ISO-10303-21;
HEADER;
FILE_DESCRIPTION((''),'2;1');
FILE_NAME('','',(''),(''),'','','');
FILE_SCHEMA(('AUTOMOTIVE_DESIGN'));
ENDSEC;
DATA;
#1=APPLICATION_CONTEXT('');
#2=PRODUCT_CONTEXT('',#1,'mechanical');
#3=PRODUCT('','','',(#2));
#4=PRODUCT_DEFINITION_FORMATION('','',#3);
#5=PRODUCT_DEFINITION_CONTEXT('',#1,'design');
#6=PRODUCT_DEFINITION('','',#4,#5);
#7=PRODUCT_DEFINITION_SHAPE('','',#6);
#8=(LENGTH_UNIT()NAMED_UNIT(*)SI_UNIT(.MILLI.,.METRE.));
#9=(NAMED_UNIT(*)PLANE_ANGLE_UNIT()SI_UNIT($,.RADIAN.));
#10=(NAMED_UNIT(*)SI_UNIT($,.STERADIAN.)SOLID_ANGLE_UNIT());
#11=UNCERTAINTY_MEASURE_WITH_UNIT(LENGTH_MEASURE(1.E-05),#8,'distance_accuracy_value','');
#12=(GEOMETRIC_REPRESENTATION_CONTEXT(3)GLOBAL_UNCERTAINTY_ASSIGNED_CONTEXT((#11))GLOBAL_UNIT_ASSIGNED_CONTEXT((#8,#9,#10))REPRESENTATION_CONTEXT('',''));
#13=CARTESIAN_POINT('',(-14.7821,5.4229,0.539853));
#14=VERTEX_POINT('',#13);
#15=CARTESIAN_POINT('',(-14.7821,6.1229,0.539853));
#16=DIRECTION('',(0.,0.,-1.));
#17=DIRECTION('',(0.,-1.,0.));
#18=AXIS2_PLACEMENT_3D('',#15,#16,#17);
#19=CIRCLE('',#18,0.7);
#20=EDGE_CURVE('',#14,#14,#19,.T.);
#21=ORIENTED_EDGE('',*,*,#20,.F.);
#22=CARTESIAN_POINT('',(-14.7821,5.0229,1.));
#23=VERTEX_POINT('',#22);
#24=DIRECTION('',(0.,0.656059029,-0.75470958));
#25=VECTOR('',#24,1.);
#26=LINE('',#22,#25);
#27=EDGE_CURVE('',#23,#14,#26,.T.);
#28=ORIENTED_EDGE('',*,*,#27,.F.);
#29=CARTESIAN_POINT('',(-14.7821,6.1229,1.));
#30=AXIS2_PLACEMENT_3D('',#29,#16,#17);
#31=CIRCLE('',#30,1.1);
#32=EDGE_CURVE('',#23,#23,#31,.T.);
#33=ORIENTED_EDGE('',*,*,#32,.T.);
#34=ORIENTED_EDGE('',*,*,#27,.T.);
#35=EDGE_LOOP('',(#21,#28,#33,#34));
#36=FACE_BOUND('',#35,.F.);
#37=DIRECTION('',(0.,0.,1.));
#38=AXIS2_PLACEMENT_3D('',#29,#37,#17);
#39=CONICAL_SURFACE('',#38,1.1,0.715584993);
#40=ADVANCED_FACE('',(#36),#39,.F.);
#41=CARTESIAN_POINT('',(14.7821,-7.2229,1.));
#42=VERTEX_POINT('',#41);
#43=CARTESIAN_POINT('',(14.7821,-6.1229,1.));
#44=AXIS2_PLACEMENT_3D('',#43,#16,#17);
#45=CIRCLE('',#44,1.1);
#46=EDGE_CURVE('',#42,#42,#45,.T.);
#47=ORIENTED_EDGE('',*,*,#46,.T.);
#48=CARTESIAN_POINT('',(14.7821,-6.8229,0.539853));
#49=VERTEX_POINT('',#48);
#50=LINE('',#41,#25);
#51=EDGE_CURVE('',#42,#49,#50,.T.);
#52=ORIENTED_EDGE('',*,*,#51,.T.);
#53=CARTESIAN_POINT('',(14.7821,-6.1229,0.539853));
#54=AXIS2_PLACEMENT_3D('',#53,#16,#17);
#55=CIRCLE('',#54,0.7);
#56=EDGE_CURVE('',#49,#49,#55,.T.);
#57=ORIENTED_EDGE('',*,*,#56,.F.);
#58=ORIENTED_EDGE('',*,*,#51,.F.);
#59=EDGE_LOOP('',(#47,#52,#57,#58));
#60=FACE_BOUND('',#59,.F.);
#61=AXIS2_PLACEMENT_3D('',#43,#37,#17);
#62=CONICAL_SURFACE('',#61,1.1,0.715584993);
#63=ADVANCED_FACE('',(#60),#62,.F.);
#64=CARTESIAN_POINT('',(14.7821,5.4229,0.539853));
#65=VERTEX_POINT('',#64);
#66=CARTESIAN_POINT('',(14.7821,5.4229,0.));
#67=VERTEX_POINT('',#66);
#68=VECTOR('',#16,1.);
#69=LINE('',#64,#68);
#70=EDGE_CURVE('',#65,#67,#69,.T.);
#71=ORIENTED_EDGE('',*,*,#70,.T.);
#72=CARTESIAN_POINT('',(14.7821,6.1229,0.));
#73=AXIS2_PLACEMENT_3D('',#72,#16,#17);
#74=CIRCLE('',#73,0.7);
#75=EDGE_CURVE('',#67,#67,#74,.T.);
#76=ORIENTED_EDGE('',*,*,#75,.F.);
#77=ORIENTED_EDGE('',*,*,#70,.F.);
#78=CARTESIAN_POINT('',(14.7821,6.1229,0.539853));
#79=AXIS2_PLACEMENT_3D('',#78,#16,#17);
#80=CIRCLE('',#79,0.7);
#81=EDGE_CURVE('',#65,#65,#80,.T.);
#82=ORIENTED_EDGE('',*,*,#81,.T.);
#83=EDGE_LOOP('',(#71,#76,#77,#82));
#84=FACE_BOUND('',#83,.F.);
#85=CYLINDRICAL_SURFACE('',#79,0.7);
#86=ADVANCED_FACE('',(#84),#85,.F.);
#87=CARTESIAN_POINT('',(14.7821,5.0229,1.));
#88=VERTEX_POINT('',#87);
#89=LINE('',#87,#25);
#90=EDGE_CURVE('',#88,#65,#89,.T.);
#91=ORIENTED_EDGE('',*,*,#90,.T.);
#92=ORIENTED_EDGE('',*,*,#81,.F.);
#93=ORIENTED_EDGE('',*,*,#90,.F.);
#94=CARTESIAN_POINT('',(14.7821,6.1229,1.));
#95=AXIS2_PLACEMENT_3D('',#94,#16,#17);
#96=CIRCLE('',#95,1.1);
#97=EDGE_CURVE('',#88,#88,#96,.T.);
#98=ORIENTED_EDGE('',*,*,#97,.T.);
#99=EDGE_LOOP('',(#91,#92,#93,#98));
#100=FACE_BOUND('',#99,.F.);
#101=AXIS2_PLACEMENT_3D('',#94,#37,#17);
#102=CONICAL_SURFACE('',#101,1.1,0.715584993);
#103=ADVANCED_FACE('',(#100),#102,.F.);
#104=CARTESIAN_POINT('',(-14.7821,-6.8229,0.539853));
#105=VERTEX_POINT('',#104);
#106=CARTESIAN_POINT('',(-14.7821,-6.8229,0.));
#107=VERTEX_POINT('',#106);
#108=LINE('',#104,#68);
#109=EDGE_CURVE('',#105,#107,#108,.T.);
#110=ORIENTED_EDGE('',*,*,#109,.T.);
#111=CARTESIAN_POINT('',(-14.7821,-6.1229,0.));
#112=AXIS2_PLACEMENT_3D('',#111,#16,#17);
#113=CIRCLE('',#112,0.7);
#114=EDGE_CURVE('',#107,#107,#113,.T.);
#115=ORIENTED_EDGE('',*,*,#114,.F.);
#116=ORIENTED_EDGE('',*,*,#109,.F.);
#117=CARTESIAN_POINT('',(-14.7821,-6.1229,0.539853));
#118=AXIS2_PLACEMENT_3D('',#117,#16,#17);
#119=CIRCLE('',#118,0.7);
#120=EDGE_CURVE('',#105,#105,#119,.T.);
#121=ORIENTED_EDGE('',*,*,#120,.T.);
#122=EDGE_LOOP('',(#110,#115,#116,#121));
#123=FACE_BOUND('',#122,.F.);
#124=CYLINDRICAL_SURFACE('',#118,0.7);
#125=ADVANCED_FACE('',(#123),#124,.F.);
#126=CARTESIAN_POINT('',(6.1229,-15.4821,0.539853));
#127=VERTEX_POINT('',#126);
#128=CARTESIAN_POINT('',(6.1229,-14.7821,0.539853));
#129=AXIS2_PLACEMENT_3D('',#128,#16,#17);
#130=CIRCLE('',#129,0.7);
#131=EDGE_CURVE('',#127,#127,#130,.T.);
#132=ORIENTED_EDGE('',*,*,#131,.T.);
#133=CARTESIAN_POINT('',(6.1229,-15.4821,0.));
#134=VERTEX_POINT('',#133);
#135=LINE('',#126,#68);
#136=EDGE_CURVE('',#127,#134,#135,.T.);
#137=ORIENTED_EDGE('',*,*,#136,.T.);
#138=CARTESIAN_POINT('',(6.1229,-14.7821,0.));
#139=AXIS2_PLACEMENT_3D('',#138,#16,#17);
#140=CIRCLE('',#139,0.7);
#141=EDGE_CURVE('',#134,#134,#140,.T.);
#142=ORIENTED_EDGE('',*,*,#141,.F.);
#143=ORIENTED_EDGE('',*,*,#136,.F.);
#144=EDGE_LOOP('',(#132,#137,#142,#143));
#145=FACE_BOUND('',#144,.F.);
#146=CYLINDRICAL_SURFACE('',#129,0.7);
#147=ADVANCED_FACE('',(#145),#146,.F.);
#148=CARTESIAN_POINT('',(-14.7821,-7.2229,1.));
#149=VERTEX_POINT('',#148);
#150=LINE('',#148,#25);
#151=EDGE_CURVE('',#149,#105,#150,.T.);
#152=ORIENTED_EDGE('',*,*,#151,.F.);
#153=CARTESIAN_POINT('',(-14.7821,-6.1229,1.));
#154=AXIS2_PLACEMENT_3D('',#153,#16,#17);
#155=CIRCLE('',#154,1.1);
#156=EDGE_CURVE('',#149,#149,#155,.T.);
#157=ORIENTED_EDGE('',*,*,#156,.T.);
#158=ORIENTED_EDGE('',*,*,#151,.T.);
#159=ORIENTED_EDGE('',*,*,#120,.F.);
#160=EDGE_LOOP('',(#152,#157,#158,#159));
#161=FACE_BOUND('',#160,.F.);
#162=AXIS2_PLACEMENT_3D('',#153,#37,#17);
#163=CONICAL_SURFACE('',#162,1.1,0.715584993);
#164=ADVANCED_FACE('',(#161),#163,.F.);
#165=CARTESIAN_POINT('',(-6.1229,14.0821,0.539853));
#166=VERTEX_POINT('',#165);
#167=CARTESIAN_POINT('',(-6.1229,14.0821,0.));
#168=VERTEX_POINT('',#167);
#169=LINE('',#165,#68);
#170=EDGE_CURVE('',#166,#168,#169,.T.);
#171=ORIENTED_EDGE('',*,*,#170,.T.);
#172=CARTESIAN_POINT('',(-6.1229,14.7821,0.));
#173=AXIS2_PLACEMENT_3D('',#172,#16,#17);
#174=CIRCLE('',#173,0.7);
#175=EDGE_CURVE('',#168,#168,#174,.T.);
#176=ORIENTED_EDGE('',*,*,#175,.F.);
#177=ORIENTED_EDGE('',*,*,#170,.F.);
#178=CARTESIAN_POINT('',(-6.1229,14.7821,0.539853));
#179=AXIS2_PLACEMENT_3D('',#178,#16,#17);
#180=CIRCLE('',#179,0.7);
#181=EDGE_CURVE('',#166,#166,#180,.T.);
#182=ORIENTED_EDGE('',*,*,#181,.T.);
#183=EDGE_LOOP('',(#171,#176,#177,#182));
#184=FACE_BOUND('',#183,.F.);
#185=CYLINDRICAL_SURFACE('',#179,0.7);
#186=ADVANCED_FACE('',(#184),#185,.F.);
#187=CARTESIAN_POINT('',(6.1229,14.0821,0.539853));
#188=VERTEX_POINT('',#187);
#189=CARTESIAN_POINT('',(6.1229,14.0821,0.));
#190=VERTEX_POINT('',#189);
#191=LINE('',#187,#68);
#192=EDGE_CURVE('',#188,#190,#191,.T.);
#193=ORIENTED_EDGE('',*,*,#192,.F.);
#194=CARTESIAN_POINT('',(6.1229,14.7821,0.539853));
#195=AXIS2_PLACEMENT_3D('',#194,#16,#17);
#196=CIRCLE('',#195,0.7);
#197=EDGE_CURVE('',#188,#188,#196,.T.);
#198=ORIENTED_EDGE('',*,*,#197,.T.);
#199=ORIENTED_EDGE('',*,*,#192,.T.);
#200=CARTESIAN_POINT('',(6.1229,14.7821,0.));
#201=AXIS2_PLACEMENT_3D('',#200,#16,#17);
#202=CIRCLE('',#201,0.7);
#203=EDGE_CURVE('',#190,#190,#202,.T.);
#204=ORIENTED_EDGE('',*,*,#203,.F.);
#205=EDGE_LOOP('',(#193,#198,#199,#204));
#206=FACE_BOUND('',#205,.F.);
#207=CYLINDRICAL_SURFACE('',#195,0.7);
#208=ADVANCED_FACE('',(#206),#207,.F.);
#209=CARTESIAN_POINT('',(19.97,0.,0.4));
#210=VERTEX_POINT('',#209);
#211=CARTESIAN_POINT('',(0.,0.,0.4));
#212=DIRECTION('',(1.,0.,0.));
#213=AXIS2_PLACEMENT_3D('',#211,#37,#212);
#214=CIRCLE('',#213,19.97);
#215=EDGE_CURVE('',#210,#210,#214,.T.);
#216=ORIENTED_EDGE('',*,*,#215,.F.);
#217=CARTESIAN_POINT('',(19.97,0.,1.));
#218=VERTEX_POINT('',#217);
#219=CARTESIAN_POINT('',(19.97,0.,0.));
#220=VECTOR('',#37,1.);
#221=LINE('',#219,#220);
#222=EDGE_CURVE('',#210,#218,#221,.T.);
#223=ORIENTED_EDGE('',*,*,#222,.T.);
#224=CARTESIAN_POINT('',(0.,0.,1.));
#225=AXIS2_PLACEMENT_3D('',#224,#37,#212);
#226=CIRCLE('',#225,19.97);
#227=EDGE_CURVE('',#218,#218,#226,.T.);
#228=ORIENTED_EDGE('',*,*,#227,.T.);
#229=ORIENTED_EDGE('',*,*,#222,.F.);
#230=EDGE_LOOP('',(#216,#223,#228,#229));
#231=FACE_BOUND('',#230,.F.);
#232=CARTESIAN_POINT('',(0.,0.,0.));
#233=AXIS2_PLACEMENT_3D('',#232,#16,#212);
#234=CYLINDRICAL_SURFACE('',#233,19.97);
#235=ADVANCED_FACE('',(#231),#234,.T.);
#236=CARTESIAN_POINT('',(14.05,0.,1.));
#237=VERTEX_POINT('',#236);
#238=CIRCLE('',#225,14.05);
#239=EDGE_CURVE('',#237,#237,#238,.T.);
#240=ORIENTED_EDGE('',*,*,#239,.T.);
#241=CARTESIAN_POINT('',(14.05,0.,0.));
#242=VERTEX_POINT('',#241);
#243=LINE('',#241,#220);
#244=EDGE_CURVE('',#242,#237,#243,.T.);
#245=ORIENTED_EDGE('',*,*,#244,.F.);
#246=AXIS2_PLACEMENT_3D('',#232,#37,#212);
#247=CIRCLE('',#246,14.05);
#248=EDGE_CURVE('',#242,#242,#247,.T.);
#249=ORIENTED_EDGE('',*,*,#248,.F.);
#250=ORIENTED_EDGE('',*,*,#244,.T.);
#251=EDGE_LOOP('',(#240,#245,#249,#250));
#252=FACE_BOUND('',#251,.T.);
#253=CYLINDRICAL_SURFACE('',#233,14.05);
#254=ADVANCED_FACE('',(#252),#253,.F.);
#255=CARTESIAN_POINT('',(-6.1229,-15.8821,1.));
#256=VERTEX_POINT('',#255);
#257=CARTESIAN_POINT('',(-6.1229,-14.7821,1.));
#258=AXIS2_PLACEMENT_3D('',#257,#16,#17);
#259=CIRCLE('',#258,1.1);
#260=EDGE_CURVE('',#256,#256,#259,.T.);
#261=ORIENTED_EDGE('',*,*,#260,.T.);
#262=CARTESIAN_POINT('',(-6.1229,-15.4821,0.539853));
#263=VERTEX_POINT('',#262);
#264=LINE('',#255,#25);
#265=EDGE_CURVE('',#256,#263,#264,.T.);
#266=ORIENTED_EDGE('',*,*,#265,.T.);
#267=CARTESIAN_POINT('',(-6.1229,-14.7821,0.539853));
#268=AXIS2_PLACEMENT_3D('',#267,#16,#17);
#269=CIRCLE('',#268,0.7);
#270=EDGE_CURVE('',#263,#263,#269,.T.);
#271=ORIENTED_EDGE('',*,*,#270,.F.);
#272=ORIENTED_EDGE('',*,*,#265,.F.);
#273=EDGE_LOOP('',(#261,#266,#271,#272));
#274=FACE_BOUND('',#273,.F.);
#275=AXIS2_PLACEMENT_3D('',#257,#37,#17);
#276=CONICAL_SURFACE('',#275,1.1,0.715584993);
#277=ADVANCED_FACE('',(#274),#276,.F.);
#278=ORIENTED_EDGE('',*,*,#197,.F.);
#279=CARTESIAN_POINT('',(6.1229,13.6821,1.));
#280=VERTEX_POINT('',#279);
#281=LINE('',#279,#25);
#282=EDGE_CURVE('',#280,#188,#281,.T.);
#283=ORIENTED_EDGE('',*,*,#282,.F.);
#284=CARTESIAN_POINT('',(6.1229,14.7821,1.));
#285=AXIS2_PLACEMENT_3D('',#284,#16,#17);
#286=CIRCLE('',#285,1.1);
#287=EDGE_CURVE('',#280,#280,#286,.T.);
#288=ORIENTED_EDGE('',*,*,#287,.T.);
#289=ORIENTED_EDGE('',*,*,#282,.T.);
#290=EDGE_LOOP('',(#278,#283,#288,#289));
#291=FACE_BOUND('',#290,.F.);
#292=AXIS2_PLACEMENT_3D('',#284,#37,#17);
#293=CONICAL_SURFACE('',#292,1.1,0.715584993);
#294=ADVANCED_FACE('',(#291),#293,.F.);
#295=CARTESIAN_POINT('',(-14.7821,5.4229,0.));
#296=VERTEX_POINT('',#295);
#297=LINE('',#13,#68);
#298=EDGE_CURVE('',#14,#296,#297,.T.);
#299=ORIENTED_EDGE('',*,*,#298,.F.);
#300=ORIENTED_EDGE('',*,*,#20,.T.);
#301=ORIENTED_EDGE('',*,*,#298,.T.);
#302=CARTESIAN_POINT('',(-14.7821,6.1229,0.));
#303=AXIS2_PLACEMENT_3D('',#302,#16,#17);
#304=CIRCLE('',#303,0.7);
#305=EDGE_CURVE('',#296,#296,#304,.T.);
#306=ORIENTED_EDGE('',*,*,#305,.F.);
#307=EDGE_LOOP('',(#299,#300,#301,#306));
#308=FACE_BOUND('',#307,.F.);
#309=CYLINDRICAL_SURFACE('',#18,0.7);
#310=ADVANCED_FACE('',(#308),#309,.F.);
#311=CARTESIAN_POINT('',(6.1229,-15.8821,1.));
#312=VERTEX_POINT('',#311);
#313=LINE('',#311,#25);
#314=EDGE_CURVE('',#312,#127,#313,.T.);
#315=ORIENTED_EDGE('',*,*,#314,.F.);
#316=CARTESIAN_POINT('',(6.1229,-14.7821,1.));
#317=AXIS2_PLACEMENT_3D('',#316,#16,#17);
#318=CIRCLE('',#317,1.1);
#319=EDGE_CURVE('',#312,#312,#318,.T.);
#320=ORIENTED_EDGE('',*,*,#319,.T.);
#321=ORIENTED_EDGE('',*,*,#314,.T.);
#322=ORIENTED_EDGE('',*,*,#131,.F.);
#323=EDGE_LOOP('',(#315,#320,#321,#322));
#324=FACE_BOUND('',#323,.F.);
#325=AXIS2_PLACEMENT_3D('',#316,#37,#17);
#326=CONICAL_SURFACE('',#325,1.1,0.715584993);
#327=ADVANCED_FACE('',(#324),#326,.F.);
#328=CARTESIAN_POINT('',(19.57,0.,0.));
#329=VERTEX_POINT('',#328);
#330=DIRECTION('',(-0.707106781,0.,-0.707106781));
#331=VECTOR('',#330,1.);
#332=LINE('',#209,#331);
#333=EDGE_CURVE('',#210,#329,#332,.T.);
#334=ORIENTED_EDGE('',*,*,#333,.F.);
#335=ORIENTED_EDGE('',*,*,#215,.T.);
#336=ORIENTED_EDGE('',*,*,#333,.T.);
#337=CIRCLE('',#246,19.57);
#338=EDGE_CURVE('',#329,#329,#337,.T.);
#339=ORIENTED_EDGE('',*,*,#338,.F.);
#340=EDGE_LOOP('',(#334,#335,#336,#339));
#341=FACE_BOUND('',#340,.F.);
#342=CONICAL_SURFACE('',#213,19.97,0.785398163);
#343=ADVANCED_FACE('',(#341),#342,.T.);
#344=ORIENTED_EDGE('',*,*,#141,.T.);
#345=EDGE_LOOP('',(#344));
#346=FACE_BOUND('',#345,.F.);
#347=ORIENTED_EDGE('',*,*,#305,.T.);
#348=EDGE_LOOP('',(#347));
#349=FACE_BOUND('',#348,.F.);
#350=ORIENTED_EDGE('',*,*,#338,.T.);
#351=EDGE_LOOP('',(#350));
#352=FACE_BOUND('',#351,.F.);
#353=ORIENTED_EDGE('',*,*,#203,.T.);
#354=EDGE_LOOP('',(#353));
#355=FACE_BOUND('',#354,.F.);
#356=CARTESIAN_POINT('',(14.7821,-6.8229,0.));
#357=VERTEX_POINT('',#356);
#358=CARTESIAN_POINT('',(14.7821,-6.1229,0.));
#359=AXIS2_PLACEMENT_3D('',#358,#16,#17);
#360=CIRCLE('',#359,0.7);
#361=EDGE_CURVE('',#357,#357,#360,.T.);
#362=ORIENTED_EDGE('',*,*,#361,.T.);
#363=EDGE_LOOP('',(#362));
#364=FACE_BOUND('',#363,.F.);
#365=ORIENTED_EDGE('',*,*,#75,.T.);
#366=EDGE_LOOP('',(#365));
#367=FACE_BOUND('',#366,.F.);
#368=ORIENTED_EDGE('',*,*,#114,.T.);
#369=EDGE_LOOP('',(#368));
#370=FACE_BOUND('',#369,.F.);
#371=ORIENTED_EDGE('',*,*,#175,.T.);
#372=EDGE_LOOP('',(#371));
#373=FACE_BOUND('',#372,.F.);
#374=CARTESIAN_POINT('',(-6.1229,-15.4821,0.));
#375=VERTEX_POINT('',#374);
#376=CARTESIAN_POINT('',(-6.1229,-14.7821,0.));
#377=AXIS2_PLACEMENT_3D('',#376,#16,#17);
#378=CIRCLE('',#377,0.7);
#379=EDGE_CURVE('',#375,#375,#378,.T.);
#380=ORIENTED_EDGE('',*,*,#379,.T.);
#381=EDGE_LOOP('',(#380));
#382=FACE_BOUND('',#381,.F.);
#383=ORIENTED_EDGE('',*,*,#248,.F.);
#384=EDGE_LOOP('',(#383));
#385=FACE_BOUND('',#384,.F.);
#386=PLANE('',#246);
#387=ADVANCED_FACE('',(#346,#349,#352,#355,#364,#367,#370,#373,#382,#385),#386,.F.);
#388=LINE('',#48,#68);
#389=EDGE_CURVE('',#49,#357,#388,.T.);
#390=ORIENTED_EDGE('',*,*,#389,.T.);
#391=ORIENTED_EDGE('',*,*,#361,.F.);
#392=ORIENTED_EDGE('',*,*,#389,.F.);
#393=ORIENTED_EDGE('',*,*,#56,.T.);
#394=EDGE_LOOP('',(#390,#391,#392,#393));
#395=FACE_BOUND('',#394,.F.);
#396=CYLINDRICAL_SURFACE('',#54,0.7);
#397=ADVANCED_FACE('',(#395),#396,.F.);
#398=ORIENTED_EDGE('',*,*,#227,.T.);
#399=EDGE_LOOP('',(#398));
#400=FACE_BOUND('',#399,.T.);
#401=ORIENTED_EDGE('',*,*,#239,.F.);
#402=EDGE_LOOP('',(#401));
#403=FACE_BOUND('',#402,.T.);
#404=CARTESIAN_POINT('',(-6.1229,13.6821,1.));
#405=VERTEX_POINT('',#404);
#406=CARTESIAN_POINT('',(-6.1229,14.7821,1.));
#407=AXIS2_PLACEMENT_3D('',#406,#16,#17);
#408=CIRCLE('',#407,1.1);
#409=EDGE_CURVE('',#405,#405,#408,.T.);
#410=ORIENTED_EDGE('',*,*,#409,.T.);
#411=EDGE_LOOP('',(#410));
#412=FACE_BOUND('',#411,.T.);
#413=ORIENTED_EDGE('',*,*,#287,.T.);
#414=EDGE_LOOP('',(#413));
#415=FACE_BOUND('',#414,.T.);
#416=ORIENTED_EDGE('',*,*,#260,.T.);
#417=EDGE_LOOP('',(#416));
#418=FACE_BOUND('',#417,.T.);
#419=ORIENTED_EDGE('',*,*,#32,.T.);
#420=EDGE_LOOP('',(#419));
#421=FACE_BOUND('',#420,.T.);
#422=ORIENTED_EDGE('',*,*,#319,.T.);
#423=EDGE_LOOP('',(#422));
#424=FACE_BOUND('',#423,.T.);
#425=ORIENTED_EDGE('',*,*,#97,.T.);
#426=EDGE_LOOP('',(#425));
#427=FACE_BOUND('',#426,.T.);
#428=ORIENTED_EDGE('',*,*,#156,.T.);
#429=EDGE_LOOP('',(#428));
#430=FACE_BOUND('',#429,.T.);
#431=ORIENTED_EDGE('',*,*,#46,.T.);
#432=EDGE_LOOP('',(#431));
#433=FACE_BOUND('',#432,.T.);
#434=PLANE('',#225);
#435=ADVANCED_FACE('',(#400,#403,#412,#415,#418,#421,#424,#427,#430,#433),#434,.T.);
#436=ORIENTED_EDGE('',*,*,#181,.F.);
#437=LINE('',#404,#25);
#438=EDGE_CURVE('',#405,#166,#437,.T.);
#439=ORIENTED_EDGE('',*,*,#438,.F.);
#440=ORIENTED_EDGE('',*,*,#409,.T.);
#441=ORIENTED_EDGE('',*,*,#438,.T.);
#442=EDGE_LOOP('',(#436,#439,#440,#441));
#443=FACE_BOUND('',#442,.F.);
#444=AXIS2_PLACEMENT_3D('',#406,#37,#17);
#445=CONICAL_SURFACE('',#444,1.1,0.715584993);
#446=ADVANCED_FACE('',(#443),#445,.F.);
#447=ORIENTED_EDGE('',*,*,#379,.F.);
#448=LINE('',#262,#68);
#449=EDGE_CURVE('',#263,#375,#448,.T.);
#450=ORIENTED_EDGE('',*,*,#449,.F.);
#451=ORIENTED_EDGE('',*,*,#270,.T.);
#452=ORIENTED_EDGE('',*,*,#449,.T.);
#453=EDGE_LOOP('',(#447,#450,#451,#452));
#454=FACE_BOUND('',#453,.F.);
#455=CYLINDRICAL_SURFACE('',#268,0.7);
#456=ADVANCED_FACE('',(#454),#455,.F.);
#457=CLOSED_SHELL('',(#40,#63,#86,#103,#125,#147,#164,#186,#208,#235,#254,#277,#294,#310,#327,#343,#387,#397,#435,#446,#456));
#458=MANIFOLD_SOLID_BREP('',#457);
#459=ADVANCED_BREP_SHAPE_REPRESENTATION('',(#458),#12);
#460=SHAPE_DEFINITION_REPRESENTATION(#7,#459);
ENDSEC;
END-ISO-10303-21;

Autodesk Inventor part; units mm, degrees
ref_plane "YZ Plane" through (0, 0, 0) normal (1, 0, 0) x (0, 1, 0)
ref_plane "XZ Plane" through (0, 0, 0) normal (0, 1, 0) x (-1, 0, 0)
ref_plane "XY Plane" through (0, 0, 0) normal (0, 0, 1) x (1, 0, 0)
sketch "スケッチ1" plane through (0, 0, 0) normal (0, 0, 1) x (1, 0, 0)
  circle A0 centre (0, 0) radius 14.05
  circle A1 centre (0, 0) radius 19.97 projected
  circle A2 centre (0, 0) radius 14 construction
  point P0 (0, 0)
  dimension "d2" = 0.05
extrude "押し出し1" add sketch "スケッチ1" along normal blind 1
chamfer "面取り1" distance 0.4 angle 45 1 edges at (-19.97, 0, 0)
sketch "スケッチ2" plane through (0, 0, 1) normal (0, 0, 1) x (1, 0, 0)
  circle A0 centre (6.1229, -14.7821) radius 0.5915 construction
  point P0 (0, 0)
  point P1 (14.7821, -6.1229)
  point P2 (14.7821, 6.1229)
  point P3 (6.1229, 14.7821)
  point P4 (-6.1229, 14.7821)
  point P5 (-14.7821, 6.1229)
  point P6 (-14.7821, -6.1229)
  point P7 (-6.1229, -14.7821)
  dimension "d8" = 360
hole "穴1" at (6.1229, -14.7821, 1) at (14.7821, -6.1229, 1) at (14.7821, 6.1229, 1) at (6.1229, 14.7821, 1) at (-6.1229, 14.7821, 1) at (-14.7821, 6.1229, 1) at (-14.7821, -6.1229, 1) at (-6.1229, -14.7821, 1) direction (0, 0, -1) diameter 1.4 end through all countersink diameter 2.2 countersink angle 82
properties part number "UPPER_TIMING_PULLEY_COVER_INNER"
